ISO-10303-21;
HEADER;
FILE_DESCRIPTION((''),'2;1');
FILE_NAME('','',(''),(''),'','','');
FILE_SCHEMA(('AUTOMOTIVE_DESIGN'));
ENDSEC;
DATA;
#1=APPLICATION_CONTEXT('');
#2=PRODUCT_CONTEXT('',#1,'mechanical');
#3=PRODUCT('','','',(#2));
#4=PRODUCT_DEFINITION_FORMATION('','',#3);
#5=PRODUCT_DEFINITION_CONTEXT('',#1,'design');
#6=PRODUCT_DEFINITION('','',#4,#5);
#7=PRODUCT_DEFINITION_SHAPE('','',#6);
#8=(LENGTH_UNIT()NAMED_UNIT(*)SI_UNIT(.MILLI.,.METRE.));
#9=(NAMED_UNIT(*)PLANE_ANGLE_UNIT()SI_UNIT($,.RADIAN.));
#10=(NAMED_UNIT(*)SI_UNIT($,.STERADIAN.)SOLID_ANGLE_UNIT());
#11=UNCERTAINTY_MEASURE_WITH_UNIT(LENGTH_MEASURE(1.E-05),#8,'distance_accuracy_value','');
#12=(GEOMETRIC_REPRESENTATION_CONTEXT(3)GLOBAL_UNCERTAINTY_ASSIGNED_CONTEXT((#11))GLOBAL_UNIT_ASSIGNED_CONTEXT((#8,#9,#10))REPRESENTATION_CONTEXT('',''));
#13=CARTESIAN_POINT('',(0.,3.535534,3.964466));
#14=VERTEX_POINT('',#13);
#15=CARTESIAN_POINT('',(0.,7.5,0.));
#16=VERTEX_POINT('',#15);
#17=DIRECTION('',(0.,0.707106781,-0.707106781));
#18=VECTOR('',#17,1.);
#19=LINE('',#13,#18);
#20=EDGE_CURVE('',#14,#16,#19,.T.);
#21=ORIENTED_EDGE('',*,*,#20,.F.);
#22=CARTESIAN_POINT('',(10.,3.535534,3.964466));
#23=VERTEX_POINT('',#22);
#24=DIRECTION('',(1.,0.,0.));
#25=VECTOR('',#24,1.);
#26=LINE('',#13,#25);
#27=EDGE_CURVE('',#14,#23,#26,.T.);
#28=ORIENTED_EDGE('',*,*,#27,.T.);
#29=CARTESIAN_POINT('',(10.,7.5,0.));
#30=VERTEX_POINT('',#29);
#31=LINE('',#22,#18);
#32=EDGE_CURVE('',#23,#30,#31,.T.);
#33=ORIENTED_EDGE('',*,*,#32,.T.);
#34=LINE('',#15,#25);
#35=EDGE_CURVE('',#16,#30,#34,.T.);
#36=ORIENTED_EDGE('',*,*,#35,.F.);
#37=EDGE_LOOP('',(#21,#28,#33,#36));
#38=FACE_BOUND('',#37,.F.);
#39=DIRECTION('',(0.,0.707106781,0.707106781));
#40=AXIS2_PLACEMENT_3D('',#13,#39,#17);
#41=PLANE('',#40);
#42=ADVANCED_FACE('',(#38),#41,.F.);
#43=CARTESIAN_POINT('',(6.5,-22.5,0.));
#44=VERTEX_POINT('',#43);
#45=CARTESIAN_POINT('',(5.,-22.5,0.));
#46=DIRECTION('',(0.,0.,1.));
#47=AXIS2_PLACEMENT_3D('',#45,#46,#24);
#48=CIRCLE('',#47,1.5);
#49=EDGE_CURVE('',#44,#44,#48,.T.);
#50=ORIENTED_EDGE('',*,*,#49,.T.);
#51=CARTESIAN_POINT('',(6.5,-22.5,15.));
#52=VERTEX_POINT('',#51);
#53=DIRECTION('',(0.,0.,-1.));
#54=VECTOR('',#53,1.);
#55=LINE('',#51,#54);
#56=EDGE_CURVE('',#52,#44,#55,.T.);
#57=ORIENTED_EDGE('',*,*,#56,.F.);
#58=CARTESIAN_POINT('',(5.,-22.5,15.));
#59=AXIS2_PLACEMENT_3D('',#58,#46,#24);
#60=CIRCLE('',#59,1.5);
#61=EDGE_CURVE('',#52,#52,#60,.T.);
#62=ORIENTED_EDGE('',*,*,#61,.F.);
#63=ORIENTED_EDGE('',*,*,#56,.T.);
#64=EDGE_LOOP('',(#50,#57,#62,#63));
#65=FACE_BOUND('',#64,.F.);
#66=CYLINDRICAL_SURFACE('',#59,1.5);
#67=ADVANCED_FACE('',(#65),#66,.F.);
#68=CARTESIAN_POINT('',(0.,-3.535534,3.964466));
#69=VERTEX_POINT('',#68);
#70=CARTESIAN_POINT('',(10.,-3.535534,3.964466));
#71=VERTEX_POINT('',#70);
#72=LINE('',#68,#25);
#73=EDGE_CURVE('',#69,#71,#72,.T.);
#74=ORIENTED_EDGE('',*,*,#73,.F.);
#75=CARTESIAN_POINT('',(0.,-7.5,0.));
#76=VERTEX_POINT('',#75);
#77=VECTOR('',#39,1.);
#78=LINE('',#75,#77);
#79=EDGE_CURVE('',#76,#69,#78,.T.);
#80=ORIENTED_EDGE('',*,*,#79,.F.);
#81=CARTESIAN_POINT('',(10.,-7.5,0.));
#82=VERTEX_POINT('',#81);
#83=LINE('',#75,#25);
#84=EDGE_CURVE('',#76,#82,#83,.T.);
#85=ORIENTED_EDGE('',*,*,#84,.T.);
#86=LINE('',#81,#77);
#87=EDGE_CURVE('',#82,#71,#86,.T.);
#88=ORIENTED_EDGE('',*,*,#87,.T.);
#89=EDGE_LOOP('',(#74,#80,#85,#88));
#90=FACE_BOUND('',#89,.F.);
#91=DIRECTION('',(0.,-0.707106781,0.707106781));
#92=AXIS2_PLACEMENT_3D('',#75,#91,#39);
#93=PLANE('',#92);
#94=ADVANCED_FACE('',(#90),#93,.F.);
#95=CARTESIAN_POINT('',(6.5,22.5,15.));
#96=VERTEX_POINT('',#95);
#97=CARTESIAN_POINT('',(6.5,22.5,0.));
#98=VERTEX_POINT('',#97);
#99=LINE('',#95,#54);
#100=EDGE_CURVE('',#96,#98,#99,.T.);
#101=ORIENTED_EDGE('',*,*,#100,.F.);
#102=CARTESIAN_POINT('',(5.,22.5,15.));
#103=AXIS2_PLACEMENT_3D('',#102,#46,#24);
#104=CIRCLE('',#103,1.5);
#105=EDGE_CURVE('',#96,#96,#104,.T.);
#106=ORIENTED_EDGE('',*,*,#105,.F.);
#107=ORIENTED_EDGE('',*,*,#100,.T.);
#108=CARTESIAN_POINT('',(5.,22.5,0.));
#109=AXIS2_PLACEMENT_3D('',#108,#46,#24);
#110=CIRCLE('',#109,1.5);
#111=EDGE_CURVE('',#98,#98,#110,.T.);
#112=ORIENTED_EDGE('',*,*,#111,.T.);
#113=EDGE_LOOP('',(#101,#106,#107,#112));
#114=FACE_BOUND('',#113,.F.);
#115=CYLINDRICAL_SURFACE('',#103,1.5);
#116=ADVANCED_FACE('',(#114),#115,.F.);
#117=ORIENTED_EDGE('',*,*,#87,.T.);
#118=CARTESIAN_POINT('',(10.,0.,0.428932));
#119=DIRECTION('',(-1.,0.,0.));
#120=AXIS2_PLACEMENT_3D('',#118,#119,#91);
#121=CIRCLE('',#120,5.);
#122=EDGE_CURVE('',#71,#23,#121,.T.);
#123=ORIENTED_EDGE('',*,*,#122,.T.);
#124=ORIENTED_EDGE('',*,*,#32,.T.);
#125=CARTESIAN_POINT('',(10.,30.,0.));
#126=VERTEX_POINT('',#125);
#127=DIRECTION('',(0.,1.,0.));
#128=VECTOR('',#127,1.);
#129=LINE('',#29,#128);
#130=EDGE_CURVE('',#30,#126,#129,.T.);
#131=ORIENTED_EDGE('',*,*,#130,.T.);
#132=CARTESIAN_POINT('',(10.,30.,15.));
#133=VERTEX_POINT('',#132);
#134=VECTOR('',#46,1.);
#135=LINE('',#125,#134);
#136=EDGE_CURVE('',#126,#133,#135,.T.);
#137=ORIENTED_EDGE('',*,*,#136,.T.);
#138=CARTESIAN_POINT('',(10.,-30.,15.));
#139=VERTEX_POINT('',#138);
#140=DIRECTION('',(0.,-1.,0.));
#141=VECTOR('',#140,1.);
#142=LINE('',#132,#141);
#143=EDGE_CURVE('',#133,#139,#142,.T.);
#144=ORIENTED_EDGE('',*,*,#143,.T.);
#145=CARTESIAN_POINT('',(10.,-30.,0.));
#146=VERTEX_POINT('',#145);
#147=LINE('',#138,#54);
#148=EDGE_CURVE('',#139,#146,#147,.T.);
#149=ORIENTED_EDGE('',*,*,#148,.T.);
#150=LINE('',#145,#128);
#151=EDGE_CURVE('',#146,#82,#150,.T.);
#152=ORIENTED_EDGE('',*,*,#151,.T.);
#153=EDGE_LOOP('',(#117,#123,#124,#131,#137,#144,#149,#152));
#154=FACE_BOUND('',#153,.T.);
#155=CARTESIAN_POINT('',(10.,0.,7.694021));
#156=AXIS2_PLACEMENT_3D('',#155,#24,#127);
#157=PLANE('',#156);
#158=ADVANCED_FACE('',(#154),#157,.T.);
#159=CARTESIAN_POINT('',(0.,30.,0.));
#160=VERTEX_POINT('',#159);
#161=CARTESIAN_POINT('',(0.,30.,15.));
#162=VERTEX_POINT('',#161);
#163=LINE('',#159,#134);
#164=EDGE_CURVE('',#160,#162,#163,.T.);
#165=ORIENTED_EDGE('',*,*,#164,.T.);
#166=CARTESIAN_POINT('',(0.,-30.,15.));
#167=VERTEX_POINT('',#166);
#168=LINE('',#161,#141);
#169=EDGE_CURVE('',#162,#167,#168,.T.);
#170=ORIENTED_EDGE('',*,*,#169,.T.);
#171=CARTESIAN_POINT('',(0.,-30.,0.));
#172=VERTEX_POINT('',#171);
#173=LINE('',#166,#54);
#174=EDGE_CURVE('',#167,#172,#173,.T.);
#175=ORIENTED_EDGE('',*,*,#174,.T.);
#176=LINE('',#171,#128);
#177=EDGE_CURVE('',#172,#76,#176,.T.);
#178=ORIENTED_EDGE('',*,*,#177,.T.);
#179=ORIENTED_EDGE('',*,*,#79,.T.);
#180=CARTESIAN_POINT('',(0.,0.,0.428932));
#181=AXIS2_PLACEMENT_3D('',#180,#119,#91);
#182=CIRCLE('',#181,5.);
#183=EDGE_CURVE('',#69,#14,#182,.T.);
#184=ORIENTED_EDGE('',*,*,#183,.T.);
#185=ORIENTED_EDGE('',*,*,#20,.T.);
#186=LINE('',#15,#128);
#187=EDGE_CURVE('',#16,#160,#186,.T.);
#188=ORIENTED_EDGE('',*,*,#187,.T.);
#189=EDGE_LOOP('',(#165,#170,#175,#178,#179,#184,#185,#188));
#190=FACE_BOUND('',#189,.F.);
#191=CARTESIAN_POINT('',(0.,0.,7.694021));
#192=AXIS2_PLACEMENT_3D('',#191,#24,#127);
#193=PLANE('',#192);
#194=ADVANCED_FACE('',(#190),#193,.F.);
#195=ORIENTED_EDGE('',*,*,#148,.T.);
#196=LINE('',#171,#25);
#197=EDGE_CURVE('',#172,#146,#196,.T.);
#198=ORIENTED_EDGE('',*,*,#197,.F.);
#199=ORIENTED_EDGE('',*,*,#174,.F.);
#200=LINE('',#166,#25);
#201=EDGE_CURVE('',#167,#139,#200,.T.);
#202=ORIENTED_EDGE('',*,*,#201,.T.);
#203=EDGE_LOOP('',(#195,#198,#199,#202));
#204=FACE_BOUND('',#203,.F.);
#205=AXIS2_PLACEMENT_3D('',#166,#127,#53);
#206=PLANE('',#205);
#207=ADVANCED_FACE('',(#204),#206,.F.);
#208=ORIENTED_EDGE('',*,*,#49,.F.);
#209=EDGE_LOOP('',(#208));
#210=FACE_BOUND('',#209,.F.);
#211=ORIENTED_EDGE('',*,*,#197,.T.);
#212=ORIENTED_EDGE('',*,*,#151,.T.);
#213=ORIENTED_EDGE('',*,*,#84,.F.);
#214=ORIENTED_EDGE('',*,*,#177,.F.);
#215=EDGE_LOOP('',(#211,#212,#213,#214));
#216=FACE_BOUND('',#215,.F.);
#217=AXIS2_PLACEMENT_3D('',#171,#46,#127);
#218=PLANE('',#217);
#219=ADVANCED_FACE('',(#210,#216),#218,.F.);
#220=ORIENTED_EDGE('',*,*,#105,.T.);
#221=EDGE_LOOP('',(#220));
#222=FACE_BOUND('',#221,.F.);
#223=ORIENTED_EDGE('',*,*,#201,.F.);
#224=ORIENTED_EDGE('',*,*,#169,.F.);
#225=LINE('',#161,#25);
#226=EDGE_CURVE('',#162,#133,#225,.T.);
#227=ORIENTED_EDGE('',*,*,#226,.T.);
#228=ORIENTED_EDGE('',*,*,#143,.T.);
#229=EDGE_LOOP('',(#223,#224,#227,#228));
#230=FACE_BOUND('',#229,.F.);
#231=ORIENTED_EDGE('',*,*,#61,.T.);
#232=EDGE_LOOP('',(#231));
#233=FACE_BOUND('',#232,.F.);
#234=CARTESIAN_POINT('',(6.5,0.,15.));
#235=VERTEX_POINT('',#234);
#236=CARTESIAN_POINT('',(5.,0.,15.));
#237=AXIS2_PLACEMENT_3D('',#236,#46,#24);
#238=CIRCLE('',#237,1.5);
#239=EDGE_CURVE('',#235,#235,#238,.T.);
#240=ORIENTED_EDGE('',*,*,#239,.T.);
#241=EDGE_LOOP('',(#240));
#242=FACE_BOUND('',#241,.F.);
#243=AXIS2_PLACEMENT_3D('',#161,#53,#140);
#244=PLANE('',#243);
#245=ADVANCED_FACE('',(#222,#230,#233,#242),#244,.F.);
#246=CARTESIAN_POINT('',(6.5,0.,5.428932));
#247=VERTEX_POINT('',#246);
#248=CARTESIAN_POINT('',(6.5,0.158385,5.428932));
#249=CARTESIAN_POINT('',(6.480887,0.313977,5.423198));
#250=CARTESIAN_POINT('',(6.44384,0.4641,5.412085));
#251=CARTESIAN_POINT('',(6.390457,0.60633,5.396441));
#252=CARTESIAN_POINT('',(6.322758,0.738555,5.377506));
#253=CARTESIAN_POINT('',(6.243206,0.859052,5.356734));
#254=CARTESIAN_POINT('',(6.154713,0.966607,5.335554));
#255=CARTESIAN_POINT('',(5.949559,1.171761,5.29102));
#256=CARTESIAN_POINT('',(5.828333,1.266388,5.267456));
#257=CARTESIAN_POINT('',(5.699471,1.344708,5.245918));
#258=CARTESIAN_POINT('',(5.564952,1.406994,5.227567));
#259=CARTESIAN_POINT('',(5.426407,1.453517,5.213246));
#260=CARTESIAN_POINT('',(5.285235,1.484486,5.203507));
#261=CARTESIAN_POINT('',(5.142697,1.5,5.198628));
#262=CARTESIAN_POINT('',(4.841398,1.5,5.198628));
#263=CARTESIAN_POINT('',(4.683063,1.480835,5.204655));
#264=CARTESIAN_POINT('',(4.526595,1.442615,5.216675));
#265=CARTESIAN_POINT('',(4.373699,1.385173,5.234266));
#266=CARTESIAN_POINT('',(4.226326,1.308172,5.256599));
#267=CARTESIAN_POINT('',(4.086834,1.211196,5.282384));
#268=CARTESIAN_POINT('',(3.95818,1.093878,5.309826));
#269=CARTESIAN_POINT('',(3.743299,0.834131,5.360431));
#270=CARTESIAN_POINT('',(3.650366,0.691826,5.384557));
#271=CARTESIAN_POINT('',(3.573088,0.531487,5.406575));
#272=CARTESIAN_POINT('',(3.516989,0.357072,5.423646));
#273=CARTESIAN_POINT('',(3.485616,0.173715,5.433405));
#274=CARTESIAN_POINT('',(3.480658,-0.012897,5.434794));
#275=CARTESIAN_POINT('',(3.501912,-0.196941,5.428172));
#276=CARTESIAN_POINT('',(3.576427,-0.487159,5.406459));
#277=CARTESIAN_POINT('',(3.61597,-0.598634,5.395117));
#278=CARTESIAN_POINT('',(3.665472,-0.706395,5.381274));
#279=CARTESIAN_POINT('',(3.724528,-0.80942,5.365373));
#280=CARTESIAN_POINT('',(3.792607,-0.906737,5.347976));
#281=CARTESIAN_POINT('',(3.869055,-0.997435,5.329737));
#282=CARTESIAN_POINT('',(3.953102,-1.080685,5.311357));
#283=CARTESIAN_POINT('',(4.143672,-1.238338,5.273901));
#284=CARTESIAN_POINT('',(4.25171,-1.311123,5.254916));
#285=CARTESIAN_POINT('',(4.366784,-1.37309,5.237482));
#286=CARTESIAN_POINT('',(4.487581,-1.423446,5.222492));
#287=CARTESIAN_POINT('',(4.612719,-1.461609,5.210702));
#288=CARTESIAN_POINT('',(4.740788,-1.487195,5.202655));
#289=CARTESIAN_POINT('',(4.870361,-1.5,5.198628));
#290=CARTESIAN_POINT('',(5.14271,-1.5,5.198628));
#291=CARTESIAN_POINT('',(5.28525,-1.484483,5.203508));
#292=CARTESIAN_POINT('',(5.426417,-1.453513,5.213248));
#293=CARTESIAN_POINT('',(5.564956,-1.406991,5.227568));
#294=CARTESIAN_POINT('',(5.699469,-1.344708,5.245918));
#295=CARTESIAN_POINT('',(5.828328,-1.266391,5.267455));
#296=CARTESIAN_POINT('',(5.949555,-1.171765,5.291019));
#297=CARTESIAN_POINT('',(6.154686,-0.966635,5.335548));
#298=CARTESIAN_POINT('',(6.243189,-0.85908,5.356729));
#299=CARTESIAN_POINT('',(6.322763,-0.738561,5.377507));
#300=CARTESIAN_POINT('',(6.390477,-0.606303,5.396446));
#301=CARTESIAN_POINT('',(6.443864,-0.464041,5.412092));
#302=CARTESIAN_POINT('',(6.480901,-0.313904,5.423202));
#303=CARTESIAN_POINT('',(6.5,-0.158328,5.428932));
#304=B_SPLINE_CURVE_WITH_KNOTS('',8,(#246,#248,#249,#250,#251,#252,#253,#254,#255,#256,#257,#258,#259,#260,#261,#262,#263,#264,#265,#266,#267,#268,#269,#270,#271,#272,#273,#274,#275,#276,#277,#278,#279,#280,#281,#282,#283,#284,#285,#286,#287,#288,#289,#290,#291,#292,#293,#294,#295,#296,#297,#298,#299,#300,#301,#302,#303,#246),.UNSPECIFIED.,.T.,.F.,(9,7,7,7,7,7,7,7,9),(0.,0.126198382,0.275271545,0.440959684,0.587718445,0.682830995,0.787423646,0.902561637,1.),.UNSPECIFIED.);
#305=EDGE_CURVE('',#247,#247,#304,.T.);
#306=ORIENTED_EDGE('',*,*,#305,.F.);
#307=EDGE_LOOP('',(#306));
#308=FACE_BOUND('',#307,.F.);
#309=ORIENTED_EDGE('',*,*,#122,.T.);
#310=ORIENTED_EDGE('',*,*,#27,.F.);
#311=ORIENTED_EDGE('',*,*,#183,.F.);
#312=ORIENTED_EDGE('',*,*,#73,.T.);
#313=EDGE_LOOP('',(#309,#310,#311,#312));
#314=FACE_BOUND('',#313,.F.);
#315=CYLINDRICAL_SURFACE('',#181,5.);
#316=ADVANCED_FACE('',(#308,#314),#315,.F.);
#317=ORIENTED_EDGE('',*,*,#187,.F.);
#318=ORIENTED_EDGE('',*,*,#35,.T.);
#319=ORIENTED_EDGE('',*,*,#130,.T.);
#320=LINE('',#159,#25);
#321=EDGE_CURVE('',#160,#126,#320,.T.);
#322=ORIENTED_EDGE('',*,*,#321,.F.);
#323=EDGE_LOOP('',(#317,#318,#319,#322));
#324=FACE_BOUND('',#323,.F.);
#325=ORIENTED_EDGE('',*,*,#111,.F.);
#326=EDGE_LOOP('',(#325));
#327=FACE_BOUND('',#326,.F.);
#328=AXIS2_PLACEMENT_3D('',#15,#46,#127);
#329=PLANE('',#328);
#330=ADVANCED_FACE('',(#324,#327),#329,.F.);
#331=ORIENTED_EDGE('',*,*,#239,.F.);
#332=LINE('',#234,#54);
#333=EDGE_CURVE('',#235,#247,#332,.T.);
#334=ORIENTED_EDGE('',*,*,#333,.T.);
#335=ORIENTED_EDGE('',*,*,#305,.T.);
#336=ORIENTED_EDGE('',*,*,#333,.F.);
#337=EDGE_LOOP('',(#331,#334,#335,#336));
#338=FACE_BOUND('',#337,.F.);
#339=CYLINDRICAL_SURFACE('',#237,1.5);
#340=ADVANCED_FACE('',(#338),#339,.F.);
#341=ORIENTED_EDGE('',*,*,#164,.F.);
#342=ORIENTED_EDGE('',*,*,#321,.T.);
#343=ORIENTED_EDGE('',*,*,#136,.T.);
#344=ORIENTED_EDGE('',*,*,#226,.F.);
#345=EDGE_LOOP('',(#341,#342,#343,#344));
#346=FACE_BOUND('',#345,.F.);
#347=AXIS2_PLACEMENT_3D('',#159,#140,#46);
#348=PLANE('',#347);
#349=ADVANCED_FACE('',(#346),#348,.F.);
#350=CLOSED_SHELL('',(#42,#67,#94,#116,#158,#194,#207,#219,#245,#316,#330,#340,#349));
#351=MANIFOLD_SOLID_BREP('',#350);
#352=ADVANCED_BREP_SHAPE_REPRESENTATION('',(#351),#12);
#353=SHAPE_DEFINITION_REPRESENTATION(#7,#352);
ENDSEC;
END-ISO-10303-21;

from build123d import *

# Parameters (mm, degrees)
F1_DEPTH = 10
F2_R     = 1.5
F3_DEPTH = 15.001


with BuildPart() as f1:
    # F0 (on Right) → F1 (new body)
    with BuildSketch(Plane.YZ):
        with BuildLine():
            Line((30, 15), (-30, 15))
            Line((-30, 15), (-30, 0))
            Line((-30, 0), (-7.5, 0))
            Line((-7.5, 0), (-3.5355339059, 3.9644660941))
            ThreePointArc((-3.5355339059, 3.9644660941), (0, 5.4289321881), (3.5355339059, 3.9644660941))
            Line((3.5355339059, 3.9644660941), (7.5, 0))
            Line((7.5, 0), (30, 0))
            Line((30, 0), (30, 15))
        make_face()
    extrude(amount=F1_DEPTH)

    # F2 (on face) → F3 (cut, through all)
    with BuildSketch(Plane.XY.offset(15)):
        with Locations((5, 0)):
            Circle(F2_R)
        with Locations((5, 22.5)):
            Circle(F2_R)
        with Locations((5, -22.5)):
            Circle(F2_R)
    extrude(amount=-F3_DEPTH, mode=Mode.SUBTRACT)


solid = f1.part
